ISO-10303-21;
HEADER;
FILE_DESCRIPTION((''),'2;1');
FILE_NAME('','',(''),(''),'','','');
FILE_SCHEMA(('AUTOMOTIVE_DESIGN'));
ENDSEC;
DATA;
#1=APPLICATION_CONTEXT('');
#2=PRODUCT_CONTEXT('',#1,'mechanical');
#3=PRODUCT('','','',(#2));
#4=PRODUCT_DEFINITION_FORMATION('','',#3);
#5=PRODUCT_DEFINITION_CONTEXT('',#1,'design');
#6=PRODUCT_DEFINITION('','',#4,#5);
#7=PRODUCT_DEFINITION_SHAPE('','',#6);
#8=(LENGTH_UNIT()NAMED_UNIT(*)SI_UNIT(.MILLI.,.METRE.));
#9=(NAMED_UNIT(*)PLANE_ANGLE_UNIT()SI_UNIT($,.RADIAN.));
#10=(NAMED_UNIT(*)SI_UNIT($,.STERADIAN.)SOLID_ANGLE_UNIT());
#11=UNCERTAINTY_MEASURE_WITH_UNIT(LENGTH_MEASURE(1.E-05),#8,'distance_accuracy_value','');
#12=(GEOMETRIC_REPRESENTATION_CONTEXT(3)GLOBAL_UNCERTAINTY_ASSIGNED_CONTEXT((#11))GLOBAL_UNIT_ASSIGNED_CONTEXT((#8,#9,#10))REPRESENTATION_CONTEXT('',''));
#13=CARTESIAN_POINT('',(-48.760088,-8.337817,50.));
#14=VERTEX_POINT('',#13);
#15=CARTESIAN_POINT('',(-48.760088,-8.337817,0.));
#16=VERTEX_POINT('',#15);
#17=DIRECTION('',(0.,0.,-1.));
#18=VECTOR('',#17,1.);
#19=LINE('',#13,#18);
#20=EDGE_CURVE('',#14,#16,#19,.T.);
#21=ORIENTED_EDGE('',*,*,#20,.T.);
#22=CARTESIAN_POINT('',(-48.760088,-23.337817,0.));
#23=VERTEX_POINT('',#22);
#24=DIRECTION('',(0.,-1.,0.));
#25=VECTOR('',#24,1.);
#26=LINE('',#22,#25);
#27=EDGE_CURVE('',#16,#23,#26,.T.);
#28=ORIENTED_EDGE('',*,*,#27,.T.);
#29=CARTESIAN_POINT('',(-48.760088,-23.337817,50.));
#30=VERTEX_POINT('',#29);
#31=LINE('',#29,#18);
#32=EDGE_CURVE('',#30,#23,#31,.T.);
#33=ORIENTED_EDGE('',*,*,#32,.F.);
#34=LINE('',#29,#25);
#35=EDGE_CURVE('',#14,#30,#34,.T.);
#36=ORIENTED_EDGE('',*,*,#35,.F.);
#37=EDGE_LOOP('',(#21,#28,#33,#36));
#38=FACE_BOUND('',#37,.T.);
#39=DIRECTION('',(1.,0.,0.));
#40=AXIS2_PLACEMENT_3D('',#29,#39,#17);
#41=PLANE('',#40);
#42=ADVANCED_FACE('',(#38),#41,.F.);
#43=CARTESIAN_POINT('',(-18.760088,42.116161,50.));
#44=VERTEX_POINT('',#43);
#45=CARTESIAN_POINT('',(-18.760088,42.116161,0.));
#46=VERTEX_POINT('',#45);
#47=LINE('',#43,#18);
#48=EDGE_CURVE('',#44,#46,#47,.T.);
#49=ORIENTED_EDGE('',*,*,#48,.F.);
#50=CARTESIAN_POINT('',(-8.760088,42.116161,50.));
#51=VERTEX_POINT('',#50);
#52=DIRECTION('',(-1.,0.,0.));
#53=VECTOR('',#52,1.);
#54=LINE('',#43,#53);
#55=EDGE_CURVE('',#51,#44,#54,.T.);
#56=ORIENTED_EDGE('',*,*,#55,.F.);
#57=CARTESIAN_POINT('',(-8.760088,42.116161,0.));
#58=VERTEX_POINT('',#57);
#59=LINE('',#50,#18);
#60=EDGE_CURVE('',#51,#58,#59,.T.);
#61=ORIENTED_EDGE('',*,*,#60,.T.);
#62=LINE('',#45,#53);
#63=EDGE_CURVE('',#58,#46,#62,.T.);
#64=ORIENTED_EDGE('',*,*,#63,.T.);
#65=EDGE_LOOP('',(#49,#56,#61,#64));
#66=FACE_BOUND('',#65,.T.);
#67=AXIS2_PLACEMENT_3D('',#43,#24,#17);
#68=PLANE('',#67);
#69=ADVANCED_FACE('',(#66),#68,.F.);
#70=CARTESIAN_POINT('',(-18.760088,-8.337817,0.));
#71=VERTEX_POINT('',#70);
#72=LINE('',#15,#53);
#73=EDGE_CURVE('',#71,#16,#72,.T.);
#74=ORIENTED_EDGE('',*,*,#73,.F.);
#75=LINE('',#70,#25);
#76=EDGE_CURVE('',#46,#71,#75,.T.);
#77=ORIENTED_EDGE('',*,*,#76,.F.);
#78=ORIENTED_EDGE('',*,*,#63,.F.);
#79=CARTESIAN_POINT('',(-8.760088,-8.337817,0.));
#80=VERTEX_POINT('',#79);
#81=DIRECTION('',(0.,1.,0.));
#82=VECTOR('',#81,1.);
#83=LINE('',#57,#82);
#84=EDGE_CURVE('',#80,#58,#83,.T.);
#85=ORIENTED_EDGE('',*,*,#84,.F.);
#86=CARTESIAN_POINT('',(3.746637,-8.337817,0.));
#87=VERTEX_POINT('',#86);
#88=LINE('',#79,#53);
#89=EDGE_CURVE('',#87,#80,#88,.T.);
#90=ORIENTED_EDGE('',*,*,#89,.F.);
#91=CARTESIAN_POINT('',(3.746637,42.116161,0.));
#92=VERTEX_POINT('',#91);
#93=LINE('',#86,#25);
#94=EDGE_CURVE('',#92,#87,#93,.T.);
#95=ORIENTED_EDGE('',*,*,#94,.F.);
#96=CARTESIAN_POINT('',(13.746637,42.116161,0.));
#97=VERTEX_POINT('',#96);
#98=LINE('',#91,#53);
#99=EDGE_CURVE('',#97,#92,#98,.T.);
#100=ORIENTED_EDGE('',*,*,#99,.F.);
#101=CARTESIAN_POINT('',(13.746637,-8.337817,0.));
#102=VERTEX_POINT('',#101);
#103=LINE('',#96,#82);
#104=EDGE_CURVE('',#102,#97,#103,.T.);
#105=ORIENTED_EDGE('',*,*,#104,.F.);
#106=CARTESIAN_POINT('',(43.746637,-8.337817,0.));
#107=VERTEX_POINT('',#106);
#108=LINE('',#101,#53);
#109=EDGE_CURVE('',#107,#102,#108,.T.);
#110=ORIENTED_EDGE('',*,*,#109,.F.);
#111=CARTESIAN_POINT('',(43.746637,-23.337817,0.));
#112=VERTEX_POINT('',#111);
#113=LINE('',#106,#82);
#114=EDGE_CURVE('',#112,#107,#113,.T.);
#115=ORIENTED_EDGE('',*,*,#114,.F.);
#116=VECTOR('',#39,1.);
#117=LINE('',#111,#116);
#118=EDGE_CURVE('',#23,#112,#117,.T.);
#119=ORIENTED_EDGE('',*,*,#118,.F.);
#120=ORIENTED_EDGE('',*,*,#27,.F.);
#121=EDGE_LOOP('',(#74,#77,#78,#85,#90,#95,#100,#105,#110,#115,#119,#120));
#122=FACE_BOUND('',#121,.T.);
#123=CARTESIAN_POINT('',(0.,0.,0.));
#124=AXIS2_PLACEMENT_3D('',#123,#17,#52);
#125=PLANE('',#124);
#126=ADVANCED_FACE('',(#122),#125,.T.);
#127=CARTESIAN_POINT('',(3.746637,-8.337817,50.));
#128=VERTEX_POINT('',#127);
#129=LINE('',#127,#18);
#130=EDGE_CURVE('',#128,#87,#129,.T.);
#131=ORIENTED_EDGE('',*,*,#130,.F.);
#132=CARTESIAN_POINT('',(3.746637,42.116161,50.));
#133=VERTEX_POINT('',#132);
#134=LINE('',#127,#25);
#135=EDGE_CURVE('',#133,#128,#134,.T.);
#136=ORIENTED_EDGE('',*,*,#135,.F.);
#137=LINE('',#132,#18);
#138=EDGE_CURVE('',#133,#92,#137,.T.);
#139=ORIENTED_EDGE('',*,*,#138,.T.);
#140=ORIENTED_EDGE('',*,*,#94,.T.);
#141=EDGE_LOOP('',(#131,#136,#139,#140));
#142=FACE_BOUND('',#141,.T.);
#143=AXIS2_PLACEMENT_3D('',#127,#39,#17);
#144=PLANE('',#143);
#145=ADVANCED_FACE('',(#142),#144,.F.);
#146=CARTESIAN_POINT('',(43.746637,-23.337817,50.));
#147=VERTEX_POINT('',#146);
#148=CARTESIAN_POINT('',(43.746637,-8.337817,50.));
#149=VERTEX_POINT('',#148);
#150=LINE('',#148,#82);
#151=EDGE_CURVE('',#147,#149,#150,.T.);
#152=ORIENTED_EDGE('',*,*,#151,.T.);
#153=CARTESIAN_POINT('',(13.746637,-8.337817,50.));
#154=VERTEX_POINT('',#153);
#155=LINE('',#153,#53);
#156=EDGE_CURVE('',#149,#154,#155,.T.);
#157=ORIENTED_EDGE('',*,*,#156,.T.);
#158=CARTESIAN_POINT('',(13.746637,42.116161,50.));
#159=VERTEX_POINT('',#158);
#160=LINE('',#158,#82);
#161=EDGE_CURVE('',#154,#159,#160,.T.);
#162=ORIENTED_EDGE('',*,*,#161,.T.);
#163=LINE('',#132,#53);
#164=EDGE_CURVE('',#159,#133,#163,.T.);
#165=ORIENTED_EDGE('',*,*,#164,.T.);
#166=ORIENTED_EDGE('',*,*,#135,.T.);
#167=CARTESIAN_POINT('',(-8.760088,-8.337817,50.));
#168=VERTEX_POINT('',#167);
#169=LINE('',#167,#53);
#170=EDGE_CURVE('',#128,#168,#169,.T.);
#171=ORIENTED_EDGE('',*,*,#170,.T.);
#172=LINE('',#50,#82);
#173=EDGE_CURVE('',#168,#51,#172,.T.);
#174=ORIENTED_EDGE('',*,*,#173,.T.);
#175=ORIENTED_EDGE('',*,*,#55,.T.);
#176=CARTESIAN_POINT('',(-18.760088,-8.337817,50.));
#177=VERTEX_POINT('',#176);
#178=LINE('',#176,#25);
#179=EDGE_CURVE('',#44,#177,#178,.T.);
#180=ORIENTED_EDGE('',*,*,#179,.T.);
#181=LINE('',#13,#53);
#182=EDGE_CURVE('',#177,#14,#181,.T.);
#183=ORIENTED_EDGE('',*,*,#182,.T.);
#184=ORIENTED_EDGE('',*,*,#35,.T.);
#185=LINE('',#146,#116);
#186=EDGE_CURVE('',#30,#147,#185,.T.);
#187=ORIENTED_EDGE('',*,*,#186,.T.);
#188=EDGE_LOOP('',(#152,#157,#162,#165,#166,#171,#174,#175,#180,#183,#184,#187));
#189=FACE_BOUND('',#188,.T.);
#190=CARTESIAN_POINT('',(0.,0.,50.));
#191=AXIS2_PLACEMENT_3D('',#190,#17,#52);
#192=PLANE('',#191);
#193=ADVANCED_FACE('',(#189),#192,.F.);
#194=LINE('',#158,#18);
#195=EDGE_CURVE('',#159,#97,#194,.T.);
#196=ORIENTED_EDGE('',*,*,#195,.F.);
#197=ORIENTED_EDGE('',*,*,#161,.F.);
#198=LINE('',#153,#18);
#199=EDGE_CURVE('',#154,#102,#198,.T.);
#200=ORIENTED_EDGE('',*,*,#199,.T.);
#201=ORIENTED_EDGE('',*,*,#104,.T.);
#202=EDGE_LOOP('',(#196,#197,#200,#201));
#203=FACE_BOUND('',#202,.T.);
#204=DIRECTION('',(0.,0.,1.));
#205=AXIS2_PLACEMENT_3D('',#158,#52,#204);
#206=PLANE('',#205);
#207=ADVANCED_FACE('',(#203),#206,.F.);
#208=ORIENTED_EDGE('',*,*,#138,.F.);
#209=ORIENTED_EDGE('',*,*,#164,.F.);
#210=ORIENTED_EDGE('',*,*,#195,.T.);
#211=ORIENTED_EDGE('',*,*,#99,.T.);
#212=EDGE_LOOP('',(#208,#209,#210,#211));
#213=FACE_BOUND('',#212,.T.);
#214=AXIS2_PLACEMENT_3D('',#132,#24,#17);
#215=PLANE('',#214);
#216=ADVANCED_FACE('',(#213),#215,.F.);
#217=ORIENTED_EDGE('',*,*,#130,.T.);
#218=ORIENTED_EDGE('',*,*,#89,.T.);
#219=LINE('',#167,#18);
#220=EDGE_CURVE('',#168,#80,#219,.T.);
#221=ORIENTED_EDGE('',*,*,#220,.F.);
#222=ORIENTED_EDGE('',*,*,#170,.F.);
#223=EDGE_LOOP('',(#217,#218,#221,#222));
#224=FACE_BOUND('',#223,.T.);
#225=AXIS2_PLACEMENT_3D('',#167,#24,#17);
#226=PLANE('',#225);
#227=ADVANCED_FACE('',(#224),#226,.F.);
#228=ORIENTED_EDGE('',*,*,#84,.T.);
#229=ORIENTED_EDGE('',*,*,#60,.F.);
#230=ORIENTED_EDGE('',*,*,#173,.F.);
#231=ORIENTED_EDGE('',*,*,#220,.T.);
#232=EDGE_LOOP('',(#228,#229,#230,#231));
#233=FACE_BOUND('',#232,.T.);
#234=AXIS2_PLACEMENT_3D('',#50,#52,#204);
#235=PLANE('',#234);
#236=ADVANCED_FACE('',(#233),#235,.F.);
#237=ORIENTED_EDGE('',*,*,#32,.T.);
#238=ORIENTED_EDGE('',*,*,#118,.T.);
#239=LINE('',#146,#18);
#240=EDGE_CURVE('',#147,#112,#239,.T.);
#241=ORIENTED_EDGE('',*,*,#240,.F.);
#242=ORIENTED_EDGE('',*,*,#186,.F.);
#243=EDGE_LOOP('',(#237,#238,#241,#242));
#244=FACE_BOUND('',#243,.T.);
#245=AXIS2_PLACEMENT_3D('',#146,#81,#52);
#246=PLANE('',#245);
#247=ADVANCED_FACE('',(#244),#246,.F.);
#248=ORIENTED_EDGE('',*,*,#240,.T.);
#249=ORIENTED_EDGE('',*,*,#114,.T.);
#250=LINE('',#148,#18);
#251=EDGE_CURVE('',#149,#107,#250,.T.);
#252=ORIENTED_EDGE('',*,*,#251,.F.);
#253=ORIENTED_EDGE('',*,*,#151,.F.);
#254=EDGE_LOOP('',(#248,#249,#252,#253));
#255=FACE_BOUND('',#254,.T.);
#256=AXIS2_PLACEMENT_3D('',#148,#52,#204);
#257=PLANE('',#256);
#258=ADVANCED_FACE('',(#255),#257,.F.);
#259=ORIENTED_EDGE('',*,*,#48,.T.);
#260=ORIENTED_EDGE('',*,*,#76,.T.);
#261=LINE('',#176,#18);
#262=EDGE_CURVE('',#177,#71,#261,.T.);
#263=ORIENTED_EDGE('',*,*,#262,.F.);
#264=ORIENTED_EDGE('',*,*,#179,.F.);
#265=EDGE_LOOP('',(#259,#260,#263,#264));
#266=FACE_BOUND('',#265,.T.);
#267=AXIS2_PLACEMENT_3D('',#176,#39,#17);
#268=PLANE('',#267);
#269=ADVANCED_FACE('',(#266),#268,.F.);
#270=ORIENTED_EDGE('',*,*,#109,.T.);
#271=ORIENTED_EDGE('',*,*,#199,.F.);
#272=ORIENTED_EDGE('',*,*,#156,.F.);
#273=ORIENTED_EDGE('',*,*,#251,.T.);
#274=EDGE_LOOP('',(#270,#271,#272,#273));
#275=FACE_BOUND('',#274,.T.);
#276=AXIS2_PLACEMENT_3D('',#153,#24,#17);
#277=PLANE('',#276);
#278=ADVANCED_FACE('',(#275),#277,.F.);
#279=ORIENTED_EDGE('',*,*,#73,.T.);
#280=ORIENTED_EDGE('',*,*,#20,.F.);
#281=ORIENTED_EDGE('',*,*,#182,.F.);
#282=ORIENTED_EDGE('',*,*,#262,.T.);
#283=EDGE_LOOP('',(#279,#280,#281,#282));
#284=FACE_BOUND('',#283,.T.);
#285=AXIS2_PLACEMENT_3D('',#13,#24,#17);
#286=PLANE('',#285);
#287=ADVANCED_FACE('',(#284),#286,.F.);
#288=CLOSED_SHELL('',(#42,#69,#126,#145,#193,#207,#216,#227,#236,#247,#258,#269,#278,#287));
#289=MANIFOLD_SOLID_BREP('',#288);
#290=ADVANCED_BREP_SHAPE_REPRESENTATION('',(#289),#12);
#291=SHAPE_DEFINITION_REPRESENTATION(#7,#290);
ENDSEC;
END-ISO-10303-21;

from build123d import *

# Parameters (mm, degrees)
BOSS_EXTRUDE2_DEPTH = 50


with BuildPart() as part:
    # Sketch2 → Boss-Extrude2 (new body)
    with BuildSketch(Plane.XY):
        Polygon((-48.760088365, -8.337817051), (-18.760088365, -8.337817051), (-18.760088365, 42.116160745), (-8.760088365, 42.116160745), (-8.760088365, -8.337817051), (3.746637212, -8.337817051), (3.746637212, 42.116160745), (13.746637212, 42.116160745), (13.746637212, -8.337817051), (43.746637212, -8.337817051), (43.746637212, -23.337817051), (-48.760088365, -23.337817051), align=None)
    extrude(amount=BOSS_EXTRUDE2_DEPTH)


solid = part.part
